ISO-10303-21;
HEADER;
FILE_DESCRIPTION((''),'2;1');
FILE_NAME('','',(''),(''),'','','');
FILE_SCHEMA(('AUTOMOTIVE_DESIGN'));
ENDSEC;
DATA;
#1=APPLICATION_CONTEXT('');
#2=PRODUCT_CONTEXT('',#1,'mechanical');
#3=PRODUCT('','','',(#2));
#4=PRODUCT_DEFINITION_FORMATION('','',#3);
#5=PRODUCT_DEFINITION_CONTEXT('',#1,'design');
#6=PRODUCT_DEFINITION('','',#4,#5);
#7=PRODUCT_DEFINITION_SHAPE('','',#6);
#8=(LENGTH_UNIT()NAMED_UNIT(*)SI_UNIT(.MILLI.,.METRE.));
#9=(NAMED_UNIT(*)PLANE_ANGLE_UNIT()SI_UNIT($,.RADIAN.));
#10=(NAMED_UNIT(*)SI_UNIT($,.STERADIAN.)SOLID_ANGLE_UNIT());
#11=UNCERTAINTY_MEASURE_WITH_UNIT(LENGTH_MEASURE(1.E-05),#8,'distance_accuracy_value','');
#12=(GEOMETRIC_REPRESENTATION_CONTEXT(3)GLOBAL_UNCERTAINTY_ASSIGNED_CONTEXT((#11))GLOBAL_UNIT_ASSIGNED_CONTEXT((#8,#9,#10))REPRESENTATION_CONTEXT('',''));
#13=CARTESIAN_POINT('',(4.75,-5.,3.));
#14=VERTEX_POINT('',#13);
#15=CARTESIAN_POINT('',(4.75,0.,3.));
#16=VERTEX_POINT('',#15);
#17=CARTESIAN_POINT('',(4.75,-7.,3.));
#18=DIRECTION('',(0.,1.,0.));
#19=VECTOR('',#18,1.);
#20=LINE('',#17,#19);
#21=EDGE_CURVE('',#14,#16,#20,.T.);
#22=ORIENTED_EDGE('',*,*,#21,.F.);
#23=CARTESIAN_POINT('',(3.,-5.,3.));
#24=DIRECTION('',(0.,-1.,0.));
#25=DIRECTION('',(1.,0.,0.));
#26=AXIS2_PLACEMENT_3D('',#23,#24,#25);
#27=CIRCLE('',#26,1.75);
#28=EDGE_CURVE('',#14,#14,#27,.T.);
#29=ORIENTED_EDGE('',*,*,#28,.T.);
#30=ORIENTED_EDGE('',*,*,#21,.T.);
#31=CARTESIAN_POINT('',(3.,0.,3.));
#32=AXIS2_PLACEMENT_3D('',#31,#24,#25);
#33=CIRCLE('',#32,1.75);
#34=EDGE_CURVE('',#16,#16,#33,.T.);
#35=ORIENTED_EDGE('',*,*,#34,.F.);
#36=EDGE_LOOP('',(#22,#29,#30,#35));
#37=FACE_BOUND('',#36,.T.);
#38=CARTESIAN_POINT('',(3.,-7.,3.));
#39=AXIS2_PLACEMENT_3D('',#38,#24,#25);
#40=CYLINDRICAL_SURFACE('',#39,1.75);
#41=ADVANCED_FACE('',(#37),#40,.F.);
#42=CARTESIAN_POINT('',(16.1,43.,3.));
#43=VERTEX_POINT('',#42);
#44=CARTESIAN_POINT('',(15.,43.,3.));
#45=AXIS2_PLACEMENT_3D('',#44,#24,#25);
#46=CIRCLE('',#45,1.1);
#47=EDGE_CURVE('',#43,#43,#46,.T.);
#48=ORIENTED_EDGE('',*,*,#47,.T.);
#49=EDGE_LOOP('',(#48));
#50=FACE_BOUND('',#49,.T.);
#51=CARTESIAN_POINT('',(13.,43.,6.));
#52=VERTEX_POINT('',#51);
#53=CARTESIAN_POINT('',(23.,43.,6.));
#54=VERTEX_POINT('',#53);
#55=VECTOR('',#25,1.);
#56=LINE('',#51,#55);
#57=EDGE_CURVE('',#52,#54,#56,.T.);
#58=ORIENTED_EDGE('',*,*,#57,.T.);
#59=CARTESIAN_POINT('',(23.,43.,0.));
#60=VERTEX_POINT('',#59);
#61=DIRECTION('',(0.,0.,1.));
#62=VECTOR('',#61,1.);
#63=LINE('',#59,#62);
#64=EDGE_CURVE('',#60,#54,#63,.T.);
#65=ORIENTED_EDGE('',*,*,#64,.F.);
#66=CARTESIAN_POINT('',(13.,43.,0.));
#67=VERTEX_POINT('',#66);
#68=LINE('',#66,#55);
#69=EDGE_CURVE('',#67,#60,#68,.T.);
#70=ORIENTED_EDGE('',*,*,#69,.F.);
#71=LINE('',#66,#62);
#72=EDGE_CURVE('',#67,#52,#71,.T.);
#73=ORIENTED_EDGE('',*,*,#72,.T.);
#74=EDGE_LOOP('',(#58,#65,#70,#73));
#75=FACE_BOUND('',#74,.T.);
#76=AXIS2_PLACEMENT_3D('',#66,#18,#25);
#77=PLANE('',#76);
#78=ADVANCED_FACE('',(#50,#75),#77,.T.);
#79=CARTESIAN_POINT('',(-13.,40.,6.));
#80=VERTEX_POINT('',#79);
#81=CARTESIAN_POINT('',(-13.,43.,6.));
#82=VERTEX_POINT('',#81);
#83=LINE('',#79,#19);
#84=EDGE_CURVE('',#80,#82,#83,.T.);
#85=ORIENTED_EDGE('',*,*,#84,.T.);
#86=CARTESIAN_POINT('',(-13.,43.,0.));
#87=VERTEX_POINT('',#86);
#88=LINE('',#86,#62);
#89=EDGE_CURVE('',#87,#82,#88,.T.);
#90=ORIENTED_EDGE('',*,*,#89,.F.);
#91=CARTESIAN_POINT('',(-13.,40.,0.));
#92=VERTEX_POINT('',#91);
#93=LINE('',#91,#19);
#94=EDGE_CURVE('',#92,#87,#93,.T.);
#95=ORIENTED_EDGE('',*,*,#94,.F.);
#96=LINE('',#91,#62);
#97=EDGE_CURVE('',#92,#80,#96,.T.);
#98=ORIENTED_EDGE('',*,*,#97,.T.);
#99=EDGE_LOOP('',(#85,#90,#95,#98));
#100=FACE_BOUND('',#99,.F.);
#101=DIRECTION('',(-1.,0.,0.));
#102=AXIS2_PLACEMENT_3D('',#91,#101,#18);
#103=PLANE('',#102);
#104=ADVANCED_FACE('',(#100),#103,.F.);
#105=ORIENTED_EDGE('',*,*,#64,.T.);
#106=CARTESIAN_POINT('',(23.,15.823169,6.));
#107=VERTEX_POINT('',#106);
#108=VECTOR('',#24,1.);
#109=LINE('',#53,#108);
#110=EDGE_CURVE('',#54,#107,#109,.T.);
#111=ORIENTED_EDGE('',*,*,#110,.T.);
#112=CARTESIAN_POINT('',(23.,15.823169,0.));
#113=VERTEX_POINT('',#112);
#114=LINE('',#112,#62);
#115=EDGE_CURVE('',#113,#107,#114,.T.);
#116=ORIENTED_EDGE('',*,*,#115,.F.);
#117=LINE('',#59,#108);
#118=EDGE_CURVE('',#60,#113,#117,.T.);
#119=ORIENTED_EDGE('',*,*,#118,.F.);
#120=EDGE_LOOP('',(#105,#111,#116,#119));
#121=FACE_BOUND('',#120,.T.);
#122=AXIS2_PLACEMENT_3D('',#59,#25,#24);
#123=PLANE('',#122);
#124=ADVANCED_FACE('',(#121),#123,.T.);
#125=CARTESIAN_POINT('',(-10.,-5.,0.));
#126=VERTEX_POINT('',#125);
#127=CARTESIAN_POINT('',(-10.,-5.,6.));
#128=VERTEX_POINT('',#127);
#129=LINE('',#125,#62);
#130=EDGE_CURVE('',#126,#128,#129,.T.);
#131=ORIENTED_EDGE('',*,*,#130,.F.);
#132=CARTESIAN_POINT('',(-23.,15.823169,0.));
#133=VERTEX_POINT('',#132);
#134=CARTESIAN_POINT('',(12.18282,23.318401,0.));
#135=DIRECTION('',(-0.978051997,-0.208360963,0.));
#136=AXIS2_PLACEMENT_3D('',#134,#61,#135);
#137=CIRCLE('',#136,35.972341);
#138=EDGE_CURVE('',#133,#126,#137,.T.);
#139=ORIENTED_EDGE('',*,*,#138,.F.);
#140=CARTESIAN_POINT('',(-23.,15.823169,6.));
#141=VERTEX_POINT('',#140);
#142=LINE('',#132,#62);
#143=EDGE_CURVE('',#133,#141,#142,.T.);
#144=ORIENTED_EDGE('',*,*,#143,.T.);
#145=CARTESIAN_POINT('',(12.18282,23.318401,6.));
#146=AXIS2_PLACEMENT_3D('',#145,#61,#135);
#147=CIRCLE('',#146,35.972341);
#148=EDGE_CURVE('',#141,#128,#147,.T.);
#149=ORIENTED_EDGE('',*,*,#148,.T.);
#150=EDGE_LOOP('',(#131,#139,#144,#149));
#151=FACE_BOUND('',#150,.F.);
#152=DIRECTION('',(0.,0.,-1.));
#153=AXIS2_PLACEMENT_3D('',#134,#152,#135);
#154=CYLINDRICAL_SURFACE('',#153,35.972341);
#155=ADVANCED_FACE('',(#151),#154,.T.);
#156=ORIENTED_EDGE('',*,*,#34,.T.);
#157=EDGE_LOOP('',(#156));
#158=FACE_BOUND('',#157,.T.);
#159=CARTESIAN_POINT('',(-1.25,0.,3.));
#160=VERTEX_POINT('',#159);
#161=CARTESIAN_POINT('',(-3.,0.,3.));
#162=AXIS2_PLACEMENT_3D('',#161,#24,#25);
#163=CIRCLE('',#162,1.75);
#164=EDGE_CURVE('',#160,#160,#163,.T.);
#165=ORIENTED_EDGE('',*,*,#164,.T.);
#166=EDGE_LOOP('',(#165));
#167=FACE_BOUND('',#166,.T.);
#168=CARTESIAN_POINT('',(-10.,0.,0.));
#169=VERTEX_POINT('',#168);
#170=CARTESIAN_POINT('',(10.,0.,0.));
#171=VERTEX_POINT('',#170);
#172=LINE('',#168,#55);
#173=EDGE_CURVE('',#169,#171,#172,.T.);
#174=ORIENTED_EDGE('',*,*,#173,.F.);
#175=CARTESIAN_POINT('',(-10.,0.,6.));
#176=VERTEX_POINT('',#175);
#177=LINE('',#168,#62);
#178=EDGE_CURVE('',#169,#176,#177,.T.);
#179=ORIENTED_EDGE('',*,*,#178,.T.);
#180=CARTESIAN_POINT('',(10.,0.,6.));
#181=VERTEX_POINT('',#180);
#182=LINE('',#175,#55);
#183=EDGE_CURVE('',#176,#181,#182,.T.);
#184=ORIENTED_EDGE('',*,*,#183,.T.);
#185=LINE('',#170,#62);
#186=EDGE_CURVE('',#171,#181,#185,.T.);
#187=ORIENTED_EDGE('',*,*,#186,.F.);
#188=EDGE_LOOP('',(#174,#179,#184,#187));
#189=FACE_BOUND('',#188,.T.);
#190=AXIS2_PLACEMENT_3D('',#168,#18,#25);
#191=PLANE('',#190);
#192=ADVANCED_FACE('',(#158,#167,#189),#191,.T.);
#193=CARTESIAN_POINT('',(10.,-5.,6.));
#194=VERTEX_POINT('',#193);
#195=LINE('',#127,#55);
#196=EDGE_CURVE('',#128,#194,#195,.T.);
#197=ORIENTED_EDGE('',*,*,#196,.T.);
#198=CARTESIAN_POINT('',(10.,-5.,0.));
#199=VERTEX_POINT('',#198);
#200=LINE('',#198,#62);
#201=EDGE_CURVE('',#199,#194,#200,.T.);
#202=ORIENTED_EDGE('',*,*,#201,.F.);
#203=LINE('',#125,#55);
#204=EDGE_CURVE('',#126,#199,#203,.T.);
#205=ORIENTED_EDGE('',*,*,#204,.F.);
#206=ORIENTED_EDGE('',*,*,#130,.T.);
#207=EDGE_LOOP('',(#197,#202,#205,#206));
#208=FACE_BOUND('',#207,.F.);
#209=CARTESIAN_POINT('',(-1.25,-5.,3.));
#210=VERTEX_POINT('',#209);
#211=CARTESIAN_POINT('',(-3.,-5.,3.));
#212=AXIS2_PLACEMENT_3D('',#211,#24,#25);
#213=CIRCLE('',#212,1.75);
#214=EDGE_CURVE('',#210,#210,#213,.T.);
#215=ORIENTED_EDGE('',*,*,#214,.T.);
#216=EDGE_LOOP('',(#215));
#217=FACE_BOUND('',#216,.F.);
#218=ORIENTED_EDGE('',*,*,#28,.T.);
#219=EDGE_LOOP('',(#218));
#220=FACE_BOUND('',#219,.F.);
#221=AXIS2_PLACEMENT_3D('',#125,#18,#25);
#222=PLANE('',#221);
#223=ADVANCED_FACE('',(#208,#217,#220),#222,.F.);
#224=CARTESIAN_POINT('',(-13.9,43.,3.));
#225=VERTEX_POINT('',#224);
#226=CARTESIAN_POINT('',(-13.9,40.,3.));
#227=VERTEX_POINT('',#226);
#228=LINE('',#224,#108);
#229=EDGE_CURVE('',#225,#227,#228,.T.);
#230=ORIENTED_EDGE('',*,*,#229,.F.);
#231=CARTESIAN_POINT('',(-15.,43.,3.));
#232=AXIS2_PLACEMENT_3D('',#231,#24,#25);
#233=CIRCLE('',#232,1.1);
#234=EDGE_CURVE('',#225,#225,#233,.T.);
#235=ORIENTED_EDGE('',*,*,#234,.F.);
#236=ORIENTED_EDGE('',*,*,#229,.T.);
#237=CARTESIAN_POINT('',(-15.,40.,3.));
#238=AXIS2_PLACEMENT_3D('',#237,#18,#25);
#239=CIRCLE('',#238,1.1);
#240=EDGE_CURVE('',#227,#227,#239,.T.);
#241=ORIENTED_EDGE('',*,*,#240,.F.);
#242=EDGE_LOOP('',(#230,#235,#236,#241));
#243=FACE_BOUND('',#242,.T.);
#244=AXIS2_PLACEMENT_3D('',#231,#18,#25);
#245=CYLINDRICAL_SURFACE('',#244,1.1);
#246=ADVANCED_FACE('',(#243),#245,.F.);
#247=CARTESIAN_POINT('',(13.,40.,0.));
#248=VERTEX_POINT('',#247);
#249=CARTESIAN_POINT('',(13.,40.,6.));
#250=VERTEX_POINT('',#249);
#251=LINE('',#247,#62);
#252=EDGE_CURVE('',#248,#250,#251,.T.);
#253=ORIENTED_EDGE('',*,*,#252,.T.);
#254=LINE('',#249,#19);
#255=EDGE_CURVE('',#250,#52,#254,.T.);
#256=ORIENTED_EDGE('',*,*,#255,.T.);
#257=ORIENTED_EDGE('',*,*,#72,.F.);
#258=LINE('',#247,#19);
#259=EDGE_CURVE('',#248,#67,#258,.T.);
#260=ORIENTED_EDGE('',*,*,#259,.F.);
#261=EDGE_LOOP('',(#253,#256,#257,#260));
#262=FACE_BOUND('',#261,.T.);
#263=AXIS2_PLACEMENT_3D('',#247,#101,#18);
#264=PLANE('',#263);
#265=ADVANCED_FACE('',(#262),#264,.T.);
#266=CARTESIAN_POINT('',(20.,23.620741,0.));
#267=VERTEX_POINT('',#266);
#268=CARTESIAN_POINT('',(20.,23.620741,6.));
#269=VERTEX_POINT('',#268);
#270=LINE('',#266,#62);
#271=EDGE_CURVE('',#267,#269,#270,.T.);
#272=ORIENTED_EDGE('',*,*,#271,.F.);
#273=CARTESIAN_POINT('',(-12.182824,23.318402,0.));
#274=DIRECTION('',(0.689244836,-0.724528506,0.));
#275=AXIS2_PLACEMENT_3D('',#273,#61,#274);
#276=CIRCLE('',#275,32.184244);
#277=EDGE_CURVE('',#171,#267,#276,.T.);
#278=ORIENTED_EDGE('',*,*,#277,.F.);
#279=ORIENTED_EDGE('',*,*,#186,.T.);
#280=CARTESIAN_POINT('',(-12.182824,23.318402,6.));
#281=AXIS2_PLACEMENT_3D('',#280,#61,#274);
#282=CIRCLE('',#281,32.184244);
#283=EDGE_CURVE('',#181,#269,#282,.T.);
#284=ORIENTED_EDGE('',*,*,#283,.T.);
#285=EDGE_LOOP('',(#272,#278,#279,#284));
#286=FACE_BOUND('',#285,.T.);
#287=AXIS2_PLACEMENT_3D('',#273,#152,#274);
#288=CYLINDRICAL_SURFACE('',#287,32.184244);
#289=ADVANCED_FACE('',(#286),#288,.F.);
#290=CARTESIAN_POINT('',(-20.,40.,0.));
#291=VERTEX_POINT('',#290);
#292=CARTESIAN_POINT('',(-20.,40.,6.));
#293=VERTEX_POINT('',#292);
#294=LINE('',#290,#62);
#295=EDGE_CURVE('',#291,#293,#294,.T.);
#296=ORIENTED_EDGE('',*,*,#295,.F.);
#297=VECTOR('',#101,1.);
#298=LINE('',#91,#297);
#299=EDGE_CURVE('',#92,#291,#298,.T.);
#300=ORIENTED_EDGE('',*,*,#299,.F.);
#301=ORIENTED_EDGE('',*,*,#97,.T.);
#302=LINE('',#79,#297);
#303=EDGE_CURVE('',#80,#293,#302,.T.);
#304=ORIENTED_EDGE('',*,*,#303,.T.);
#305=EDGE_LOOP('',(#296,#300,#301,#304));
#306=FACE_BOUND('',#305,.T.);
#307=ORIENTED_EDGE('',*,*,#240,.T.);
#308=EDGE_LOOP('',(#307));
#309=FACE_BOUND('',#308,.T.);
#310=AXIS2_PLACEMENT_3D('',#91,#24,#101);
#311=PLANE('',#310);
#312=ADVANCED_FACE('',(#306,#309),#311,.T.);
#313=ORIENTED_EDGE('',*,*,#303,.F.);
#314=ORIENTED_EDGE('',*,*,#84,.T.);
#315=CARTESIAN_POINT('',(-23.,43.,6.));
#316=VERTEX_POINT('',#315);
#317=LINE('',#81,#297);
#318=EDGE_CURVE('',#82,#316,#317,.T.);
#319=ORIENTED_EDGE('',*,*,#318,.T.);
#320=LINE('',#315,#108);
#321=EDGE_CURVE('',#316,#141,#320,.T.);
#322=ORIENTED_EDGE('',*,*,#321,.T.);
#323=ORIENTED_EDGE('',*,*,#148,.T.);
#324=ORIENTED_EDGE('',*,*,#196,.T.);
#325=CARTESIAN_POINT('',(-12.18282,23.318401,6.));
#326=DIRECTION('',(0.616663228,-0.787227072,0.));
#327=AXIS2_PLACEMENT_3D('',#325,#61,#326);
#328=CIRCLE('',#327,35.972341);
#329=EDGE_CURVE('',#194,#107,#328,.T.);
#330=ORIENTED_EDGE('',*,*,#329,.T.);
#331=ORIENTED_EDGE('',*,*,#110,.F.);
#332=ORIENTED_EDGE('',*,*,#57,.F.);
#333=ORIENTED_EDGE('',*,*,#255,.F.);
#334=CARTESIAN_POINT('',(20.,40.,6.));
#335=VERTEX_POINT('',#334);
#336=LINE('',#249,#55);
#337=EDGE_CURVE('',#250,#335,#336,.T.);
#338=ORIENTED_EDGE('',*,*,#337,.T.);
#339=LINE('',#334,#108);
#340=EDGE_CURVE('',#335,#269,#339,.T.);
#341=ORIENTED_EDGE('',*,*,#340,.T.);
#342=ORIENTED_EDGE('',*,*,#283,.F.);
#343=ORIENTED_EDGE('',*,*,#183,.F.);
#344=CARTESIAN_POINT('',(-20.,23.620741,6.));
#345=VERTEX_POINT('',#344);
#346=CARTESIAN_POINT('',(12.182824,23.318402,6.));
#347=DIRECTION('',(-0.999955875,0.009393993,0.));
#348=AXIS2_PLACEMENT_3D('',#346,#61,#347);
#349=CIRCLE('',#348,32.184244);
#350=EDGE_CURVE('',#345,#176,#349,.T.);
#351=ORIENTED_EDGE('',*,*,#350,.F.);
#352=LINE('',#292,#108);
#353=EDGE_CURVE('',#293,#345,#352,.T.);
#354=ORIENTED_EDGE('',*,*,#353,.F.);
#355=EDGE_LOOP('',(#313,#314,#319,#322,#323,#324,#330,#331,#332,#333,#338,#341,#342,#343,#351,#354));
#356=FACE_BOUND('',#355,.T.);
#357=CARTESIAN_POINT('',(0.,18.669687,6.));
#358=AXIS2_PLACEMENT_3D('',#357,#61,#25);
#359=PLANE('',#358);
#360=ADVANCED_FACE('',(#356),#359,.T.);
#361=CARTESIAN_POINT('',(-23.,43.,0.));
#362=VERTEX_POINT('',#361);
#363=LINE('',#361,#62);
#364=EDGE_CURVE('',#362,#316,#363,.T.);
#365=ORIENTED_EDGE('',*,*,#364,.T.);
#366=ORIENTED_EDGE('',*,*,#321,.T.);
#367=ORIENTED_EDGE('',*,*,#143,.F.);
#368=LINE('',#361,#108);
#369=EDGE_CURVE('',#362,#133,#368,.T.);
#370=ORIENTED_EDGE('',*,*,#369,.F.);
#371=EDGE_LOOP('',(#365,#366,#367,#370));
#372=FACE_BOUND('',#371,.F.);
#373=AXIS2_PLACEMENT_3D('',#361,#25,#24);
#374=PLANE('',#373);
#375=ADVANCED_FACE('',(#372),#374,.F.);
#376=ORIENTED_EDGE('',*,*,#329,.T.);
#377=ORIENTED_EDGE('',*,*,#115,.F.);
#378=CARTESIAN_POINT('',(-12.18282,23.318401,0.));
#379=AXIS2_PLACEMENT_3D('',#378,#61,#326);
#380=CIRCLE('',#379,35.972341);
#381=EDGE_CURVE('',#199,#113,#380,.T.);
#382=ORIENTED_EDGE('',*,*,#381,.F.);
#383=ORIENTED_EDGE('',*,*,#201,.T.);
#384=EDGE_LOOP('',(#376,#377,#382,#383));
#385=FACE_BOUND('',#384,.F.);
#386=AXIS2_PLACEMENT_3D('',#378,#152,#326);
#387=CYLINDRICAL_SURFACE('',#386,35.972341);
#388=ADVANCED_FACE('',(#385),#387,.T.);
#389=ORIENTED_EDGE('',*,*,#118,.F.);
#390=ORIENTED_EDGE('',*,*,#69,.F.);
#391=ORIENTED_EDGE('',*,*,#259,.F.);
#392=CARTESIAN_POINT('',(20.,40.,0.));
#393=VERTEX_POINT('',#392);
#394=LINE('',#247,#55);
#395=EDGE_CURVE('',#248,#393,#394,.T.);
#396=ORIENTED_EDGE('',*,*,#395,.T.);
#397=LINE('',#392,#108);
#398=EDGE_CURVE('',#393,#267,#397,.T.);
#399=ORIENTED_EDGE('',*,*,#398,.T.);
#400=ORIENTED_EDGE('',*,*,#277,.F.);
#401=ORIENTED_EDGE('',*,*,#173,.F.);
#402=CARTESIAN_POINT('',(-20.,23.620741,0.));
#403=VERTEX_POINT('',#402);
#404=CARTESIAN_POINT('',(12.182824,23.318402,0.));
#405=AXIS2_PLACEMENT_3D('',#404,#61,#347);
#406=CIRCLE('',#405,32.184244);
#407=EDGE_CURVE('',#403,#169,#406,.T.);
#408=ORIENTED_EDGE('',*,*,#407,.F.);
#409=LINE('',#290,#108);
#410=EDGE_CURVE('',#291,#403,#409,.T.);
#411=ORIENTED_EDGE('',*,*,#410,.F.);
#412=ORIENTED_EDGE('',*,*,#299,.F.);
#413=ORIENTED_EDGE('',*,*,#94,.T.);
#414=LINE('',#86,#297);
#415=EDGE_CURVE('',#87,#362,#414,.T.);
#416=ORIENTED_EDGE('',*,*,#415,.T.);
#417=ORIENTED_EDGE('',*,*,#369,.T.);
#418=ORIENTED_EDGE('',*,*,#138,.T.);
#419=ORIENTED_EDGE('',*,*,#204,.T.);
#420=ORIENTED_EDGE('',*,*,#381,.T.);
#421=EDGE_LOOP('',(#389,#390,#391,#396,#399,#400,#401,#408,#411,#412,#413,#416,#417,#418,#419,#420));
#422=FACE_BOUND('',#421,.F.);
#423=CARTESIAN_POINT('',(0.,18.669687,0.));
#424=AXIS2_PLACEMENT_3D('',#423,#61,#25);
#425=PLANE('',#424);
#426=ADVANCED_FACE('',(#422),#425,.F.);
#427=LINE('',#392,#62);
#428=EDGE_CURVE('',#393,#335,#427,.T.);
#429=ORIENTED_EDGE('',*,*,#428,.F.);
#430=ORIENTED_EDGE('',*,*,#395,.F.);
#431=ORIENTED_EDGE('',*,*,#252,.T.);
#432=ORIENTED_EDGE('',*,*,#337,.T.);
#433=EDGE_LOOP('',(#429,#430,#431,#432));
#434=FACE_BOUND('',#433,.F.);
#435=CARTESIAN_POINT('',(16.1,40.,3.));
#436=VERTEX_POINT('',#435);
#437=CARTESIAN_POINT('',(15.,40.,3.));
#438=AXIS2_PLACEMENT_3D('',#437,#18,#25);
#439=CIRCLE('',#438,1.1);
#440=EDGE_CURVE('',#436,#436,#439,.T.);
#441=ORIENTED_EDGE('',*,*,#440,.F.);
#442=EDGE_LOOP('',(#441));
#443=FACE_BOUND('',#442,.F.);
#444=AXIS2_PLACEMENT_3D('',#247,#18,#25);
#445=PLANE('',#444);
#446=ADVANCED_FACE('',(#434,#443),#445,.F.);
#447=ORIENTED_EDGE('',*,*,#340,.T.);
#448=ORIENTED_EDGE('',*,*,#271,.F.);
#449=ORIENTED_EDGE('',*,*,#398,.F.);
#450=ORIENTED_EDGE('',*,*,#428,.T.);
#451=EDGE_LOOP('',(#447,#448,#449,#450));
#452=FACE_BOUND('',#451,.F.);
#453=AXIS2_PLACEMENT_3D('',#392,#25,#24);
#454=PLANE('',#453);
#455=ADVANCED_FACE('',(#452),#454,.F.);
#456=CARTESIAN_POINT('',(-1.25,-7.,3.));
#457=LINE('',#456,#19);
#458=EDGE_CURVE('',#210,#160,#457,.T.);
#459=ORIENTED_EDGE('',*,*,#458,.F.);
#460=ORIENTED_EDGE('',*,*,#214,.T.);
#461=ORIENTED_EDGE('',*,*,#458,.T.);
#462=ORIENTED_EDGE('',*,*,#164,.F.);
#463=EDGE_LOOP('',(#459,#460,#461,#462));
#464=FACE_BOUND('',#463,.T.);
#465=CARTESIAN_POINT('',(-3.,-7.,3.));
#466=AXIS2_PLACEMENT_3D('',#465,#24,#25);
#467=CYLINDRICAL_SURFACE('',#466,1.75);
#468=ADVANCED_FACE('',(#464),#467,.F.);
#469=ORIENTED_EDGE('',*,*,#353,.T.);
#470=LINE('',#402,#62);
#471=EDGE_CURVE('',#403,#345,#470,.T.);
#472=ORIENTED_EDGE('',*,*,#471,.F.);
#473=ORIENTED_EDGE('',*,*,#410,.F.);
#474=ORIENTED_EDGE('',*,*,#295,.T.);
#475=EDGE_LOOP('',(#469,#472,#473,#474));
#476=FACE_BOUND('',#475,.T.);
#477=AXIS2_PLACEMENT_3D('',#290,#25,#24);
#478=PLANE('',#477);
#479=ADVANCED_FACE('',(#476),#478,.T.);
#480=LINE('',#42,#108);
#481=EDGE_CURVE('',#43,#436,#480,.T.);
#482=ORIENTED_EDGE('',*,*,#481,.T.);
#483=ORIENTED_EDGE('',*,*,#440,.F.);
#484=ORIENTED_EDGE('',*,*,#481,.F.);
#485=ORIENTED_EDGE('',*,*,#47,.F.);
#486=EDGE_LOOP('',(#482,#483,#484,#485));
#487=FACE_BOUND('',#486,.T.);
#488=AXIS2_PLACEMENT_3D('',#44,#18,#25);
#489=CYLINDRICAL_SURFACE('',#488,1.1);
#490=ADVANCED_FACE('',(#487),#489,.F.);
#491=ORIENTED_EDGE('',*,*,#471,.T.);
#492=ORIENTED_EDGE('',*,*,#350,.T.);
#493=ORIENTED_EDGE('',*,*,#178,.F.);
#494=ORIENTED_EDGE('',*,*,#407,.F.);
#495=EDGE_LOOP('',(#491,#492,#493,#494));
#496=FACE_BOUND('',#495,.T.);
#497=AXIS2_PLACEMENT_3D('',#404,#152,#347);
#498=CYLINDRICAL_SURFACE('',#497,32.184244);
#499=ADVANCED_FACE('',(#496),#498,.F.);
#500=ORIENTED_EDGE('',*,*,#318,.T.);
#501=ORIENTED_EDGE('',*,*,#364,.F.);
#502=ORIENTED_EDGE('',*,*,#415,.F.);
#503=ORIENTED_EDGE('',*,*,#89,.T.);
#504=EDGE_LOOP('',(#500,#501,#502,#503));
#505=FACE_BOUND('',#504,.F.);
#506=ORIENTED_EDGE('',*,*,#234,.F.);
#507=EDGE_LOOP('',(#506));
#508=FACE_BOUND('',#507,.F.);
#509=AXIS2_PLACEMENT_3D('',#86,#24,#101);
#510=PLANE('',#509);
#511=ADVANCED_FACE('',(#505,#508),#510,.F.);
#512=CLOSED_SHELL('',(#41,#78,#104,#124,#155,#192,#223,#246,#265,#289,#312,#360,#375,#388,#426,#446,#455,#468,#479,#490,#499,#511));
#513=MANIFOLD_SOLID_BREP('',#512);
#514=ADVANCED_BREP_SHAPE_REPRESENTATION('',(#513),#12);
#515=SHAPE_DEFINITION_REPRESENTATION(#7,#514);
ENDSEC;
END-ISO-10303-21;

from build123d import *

# Parameters (mm, degrees)
CYLINDER001_R     = 1.75
CYLINDER001_DEPTH = 10
CYLINDER002_R     = 1.1
CYLINDER002_DEPTH = 10
CYLINDER003_R     = 1.1
CYLINDER003_DEPTH = 10
CYLINDER_R        = 1.75
CYLINDER_DEPTH    = 10
EXTRUDE_DEPTH     = 6


with BuildPart() as cylinder001:
    # Cylinder001 → Cylinder001 (new body)
    with BuildSketch(Plane(origin=(-3, -7, 3), x_dir=(1, 0, 0), z_dir=(0, 1, 0))):
        Circle(CYLINDER001_R)
    extrude(amount=CYLINDER001_DEPTH)


with BuildPart() as cylinder002:
    # Cylinder002 → Cylinder002 (new body)
    with BuildSketch(Plane(origin=(15, 43, 3), x_dir=(1, 0, 0), z_dir=(0, -1, 0))):
        Circle(CYLINDER002_R)
    extrude(amount=CYLINDER002_DEPTH)


with BuildPart() as cylinder003:
    # Cylinder003 → Cylinder003 (new body)
    with BuildSketch(Plane(origin=(-15, 43, 3), x_dir=(1, 0, 0), z_dir=(0, -1, 0))):
        Circle(CYLINDER003_R)
    extrude(amount=CYLINDER003_DEPTH)


with BuildPart() as fusion:
    # Cylinder → Cylinder (new body)
    with BuildSketch(Plane(origin=(3, -7, 3), x_dir=(1, 0, 0), z_dir=(0, 1, 0))):
        Circle(CYLINDER_R)
    extrude(amount=CYLINDER_DEPTH)

    # Fusion: union Cylinder001, Cylinder002, Cylinder003
    add(cylinder001.part)
    add(cylinder002.part)
    add(cylinder003.part)


with BuildPart() as cut:
    # Sketch → Extrude (new body)
    with BuildSketch(Plane.XY):
        with BuildLine():
            Line((-13, 40), (-13, 43))
            Line((-13, 43), (-23, 43))
            Line((-23, 43), (-23, 15.823169))
            ThreePointArc((-23, 15.823169), (-18.331197, 4.268359), (-10, -5))
            Line((-10, -5), (10, -5))
            ThreePointArc((10, -5), (18.331197, 4.268359), (23, 15.823169))
            Line((23, 43), (23, 15.823169))
            Line((13, 43), (23, 43))
            Line((13, 40), (13, 43))
            Line((13, 40), (20, 40))
            Line((20, 40), (20, 23.620741))
            ThreePointArc((10, 0), (17.454834, 10.7711), (20, 23.620741))
            Line((-10, 0), (10, 0))
            ThreePointArc((-20, 23.620741), (-17.454834, 10.7711), (-10, 0))
            Line((-20, 40), (-20, 23.620741))
            Line((-13, 40), (-20, 40))
        make_face()
    extrude(amount=EXTRUDE_DEPTH)

    # Cut: cut Fusion
    add(fusion.part, mode=Mode.SUBTRACT)


solid = cut.part
